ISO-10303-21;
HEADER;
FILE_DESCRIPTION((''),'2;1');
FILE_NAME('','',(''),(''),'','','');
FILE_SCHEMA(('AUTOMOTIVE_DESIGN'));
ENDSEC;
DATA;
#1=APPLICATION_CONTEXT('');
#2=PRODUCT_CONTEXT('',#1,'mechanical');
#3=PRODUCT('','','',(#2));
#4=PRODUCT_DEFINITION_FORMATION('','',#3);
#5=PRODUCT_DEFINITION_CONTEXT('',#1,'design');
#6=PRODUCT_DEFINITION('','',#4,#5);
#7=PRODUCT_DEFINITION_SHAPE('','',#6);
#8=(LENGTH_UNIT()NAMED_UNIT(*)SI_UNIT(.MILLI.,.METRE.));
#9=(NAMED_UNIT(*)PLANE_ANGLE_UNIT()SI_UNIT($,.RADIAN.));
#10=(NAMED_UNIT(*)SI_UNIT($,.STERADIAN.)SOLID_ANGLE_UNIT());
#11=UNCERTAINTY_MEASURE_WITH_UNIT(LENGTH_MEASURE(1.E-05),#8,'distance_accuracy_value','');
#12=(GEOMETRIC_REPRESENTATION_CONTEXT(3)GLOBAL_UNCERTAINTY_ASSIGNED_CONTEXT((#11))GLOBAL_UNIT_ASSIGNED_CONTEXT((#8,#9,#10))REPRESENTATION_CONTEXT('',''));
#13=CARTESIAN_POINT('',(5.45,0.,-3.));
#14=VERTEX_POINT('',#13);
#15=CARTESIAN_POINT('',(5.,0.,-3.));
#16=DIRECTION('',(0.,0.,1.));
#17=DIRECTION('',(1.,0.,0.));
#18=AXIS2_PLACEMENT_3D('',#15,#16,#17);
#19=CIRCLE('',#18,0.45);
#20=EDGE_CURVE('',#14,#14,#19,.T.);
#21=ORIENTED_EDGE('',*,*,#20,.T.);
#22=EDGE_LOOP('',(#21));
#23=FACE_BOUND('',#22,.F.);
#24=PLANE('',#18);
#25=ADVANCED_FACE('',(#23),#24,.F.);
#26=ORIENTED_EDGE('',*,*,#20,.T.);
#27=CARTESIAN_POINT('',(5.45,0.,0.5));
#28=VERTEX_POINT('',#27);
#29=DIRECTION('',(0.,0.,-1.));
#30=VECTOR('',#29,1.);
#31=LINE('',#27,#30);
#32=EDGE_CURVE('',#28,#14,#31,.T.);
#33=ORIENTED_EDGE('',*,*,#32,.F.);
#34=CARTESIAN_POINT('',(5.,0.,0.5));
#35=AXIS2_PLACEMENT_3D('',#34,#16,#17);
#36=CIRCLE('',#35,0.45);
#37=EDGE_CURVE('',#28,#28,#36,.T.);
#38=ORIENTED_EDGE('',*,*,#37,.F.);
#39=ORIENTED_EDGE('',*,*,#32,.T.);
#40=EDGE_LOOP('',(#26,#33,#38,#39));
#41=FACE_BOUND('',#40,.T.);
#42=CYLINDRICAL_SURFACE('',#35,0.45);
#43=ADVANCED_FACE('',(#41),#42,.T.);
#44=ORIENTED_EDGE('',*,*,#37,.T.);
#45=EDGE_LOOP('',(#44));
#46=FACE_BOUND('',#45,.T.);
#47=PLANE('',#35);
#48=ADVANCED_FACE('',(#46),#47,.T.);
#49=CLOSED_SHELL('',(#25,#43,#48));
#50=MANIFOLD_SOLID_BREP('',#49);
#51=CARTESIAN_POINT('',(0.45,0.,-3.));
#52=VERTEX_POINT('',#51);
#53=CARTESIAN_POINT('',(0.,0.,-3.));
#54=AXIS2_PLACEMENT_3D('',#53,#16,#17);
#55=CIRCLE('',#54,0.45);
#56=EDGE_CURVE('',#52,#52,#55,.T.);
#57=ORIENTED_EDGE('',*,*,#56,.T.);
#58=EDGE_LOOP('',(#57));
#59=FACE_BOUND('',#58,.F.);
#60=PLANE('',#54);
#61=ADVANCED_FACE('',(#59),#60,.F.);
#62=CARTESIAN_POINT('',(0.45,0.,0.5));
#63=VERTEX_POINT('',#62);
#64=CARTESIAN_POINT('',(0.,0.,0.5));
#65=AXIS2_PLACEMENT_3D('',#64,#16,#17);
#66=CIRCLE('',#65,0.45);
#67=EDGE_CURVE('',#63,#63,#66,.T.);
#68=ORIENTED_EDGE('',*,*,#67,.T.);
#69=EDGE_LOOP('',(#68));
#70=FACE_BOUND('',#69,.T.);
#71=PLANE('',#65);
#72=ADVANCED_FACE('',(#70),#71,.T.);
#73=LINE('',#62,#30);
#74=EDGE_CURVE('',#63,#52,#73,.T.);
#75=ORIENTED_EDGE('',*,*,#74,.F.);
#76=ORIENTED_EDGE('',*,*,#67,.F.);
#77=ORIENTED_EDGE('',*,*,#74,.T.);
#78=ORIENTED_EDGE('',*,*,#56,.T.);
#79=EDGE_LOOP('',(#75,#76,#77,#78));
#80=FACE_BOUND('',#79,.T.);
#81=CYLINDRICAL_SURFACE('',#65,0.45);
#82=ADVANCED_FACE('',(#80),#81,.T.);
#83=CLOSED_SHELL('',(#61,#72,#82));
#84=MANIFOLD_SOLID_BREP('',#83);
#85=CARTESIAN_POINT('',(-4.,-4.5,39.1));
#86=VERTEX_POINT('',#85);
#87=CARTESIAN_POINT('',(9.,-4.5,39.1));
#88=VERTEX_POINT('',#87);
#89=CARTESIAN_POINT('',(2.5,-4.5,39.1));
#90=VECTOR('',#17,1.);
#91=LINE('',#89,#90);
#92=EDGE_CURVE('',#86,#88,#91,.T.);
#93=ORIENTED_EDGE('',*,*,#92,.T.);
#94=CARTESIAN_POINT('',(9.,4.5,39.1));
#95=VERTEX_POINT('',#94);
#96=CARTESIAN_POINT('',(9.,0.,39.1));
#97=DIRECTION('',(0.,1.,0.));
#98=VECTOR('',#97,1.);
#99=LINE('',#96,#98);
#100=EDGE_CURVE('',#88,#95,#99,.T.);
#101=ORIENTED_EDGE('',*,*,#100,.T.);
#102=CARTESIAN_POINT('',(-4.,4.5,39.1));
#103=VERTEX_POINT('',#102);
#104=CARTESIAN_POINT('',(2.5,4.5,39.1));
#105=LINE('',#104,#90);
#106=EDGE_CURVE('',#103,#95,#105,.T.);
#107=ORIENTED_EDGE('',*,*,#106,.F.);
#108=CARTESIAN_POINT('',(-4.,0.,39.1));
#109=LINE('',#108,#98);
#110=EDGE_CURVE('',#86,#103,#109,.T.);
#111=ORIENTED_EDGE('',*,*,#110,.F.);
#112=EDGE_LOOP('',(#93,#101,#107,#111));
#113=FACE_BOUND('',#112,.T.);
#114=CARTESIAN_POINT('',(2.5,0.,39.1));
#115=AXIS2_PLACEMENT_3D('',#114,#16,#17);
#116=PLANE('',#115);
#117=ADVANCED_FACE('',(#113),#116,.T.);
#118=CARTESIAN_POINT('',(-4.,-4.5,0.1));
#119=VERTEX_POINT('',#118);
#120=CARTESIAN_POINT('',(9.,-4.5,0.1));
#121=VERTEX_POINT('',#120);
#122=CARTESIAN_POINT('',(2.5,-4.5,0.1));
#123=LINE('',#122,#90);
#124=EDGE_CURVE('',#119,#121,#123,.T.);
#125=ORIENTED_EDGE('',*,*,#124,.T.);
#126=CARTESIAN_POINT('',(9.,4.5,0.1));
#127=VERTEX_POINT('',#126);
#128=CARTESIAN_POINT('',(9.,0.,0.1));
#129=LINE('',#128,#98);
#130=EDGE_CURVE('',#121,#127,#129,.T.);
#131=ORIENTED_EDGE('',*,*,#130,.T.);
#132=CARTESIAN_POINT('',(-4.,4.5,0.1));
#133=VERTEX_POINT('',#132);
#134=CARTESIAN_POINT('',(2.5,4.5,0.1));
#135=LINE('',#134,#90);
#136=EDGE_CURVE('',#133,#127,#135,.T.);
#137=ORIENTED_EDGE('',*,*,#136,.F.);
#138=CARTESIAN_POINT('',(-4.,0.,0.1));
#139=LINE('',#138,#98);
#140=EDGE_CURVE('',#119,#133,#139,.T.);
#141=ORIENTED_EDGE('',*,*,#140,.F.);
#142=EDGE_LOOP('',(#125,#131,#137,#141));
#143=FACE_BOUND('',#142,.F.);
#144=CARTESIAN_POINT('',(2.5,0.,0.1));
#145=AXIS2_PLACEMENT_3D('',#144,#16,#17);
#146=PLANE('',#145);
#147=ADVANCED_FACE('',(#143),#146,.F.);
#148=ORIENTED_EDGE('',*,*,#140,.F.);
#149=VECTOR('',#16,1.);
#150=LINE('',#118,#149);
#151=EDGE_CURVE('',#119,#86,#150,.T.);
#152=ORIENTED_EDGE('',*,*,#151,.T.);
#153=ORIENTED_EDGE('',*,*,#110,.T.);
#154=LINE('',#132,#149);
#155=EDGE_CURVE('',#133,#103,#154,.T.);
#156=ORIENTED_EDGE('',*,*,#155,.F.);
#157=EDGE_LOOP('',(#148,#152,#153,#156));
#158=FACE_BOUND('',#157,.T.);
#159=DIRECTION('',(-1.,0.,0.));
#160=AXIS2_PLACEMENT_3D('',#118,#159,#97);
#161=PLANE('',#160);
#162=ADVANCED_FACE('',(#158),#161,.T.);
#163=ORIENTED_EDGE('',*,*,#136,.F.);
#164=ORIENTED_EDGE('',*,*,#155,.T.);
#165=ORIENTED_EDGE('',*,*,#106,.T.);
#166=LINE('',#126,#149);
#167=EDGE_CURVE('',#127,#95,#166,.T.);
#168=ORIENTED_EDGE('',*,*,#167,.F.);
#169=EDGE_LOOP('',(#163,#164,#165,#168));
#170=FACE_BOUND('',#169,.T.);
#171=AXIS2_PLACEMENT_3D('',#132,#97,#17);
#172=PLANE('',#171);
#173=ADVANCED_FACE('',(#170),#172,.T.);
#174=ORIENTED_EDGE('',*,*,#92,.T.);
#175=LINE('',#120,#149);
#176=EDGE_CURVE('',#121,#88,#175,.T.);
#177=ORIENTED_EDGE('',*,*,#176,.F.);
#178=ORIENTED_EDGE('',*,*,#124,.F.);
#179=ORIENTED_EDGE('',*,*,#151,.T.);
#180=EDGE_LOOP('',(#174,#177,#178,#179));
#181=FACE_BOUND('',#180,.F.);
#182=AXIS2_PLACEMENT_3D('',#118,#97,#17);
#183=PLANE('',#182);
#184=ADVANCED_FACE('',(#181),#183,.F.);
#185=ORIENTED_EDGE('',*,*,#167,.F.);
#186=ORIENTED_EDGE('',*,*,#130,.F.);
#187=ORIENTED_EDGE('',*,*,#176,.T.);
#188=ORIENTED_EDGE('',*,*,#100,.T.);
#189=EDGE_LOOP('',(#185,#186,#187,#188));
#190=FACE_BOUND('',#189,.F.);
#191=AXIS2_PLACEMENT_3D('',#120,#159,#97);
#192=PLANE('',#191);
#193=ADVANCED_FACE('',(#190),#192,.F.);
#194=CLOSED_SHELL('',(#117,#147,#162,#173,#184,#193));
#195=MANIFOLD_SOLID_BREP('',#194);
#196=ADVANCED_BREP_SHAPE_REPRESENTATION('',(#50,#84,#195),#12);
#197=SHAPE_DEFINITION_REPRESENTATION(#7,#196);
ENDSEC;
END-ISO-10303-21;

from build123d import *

# Parameters (mm, degrees)
SKETCH_W     = 13
SKETCH_H     = 9
PAD_DEPTH    = 39
SKETCH001_R  = 0.45
PAD001_DEPTH = 3.5


with BuildPart() as pad:
    # Sketch → Pad (new body)
    with BuildSketch(Plane.XY.offset(0.1)):
        with Locations((2.5, 0)):
            Rectangle(SKETCH_W, SKETCH_H)
    extrude(amount=PAD_DEPTH)


with BuildPart() as pad001:
    # Sketch001 → Pad001 (new body)
    with BuildSketch(Plane.XY.offset(0.5)):
        Circle(SKETCH001_R)
        with Locations((5, 0)):
            Circle(SKETCH001_R)
    extrude(amount=-PAD001_DEPTH)


solid = Compound([pad.part, pad001.part])
